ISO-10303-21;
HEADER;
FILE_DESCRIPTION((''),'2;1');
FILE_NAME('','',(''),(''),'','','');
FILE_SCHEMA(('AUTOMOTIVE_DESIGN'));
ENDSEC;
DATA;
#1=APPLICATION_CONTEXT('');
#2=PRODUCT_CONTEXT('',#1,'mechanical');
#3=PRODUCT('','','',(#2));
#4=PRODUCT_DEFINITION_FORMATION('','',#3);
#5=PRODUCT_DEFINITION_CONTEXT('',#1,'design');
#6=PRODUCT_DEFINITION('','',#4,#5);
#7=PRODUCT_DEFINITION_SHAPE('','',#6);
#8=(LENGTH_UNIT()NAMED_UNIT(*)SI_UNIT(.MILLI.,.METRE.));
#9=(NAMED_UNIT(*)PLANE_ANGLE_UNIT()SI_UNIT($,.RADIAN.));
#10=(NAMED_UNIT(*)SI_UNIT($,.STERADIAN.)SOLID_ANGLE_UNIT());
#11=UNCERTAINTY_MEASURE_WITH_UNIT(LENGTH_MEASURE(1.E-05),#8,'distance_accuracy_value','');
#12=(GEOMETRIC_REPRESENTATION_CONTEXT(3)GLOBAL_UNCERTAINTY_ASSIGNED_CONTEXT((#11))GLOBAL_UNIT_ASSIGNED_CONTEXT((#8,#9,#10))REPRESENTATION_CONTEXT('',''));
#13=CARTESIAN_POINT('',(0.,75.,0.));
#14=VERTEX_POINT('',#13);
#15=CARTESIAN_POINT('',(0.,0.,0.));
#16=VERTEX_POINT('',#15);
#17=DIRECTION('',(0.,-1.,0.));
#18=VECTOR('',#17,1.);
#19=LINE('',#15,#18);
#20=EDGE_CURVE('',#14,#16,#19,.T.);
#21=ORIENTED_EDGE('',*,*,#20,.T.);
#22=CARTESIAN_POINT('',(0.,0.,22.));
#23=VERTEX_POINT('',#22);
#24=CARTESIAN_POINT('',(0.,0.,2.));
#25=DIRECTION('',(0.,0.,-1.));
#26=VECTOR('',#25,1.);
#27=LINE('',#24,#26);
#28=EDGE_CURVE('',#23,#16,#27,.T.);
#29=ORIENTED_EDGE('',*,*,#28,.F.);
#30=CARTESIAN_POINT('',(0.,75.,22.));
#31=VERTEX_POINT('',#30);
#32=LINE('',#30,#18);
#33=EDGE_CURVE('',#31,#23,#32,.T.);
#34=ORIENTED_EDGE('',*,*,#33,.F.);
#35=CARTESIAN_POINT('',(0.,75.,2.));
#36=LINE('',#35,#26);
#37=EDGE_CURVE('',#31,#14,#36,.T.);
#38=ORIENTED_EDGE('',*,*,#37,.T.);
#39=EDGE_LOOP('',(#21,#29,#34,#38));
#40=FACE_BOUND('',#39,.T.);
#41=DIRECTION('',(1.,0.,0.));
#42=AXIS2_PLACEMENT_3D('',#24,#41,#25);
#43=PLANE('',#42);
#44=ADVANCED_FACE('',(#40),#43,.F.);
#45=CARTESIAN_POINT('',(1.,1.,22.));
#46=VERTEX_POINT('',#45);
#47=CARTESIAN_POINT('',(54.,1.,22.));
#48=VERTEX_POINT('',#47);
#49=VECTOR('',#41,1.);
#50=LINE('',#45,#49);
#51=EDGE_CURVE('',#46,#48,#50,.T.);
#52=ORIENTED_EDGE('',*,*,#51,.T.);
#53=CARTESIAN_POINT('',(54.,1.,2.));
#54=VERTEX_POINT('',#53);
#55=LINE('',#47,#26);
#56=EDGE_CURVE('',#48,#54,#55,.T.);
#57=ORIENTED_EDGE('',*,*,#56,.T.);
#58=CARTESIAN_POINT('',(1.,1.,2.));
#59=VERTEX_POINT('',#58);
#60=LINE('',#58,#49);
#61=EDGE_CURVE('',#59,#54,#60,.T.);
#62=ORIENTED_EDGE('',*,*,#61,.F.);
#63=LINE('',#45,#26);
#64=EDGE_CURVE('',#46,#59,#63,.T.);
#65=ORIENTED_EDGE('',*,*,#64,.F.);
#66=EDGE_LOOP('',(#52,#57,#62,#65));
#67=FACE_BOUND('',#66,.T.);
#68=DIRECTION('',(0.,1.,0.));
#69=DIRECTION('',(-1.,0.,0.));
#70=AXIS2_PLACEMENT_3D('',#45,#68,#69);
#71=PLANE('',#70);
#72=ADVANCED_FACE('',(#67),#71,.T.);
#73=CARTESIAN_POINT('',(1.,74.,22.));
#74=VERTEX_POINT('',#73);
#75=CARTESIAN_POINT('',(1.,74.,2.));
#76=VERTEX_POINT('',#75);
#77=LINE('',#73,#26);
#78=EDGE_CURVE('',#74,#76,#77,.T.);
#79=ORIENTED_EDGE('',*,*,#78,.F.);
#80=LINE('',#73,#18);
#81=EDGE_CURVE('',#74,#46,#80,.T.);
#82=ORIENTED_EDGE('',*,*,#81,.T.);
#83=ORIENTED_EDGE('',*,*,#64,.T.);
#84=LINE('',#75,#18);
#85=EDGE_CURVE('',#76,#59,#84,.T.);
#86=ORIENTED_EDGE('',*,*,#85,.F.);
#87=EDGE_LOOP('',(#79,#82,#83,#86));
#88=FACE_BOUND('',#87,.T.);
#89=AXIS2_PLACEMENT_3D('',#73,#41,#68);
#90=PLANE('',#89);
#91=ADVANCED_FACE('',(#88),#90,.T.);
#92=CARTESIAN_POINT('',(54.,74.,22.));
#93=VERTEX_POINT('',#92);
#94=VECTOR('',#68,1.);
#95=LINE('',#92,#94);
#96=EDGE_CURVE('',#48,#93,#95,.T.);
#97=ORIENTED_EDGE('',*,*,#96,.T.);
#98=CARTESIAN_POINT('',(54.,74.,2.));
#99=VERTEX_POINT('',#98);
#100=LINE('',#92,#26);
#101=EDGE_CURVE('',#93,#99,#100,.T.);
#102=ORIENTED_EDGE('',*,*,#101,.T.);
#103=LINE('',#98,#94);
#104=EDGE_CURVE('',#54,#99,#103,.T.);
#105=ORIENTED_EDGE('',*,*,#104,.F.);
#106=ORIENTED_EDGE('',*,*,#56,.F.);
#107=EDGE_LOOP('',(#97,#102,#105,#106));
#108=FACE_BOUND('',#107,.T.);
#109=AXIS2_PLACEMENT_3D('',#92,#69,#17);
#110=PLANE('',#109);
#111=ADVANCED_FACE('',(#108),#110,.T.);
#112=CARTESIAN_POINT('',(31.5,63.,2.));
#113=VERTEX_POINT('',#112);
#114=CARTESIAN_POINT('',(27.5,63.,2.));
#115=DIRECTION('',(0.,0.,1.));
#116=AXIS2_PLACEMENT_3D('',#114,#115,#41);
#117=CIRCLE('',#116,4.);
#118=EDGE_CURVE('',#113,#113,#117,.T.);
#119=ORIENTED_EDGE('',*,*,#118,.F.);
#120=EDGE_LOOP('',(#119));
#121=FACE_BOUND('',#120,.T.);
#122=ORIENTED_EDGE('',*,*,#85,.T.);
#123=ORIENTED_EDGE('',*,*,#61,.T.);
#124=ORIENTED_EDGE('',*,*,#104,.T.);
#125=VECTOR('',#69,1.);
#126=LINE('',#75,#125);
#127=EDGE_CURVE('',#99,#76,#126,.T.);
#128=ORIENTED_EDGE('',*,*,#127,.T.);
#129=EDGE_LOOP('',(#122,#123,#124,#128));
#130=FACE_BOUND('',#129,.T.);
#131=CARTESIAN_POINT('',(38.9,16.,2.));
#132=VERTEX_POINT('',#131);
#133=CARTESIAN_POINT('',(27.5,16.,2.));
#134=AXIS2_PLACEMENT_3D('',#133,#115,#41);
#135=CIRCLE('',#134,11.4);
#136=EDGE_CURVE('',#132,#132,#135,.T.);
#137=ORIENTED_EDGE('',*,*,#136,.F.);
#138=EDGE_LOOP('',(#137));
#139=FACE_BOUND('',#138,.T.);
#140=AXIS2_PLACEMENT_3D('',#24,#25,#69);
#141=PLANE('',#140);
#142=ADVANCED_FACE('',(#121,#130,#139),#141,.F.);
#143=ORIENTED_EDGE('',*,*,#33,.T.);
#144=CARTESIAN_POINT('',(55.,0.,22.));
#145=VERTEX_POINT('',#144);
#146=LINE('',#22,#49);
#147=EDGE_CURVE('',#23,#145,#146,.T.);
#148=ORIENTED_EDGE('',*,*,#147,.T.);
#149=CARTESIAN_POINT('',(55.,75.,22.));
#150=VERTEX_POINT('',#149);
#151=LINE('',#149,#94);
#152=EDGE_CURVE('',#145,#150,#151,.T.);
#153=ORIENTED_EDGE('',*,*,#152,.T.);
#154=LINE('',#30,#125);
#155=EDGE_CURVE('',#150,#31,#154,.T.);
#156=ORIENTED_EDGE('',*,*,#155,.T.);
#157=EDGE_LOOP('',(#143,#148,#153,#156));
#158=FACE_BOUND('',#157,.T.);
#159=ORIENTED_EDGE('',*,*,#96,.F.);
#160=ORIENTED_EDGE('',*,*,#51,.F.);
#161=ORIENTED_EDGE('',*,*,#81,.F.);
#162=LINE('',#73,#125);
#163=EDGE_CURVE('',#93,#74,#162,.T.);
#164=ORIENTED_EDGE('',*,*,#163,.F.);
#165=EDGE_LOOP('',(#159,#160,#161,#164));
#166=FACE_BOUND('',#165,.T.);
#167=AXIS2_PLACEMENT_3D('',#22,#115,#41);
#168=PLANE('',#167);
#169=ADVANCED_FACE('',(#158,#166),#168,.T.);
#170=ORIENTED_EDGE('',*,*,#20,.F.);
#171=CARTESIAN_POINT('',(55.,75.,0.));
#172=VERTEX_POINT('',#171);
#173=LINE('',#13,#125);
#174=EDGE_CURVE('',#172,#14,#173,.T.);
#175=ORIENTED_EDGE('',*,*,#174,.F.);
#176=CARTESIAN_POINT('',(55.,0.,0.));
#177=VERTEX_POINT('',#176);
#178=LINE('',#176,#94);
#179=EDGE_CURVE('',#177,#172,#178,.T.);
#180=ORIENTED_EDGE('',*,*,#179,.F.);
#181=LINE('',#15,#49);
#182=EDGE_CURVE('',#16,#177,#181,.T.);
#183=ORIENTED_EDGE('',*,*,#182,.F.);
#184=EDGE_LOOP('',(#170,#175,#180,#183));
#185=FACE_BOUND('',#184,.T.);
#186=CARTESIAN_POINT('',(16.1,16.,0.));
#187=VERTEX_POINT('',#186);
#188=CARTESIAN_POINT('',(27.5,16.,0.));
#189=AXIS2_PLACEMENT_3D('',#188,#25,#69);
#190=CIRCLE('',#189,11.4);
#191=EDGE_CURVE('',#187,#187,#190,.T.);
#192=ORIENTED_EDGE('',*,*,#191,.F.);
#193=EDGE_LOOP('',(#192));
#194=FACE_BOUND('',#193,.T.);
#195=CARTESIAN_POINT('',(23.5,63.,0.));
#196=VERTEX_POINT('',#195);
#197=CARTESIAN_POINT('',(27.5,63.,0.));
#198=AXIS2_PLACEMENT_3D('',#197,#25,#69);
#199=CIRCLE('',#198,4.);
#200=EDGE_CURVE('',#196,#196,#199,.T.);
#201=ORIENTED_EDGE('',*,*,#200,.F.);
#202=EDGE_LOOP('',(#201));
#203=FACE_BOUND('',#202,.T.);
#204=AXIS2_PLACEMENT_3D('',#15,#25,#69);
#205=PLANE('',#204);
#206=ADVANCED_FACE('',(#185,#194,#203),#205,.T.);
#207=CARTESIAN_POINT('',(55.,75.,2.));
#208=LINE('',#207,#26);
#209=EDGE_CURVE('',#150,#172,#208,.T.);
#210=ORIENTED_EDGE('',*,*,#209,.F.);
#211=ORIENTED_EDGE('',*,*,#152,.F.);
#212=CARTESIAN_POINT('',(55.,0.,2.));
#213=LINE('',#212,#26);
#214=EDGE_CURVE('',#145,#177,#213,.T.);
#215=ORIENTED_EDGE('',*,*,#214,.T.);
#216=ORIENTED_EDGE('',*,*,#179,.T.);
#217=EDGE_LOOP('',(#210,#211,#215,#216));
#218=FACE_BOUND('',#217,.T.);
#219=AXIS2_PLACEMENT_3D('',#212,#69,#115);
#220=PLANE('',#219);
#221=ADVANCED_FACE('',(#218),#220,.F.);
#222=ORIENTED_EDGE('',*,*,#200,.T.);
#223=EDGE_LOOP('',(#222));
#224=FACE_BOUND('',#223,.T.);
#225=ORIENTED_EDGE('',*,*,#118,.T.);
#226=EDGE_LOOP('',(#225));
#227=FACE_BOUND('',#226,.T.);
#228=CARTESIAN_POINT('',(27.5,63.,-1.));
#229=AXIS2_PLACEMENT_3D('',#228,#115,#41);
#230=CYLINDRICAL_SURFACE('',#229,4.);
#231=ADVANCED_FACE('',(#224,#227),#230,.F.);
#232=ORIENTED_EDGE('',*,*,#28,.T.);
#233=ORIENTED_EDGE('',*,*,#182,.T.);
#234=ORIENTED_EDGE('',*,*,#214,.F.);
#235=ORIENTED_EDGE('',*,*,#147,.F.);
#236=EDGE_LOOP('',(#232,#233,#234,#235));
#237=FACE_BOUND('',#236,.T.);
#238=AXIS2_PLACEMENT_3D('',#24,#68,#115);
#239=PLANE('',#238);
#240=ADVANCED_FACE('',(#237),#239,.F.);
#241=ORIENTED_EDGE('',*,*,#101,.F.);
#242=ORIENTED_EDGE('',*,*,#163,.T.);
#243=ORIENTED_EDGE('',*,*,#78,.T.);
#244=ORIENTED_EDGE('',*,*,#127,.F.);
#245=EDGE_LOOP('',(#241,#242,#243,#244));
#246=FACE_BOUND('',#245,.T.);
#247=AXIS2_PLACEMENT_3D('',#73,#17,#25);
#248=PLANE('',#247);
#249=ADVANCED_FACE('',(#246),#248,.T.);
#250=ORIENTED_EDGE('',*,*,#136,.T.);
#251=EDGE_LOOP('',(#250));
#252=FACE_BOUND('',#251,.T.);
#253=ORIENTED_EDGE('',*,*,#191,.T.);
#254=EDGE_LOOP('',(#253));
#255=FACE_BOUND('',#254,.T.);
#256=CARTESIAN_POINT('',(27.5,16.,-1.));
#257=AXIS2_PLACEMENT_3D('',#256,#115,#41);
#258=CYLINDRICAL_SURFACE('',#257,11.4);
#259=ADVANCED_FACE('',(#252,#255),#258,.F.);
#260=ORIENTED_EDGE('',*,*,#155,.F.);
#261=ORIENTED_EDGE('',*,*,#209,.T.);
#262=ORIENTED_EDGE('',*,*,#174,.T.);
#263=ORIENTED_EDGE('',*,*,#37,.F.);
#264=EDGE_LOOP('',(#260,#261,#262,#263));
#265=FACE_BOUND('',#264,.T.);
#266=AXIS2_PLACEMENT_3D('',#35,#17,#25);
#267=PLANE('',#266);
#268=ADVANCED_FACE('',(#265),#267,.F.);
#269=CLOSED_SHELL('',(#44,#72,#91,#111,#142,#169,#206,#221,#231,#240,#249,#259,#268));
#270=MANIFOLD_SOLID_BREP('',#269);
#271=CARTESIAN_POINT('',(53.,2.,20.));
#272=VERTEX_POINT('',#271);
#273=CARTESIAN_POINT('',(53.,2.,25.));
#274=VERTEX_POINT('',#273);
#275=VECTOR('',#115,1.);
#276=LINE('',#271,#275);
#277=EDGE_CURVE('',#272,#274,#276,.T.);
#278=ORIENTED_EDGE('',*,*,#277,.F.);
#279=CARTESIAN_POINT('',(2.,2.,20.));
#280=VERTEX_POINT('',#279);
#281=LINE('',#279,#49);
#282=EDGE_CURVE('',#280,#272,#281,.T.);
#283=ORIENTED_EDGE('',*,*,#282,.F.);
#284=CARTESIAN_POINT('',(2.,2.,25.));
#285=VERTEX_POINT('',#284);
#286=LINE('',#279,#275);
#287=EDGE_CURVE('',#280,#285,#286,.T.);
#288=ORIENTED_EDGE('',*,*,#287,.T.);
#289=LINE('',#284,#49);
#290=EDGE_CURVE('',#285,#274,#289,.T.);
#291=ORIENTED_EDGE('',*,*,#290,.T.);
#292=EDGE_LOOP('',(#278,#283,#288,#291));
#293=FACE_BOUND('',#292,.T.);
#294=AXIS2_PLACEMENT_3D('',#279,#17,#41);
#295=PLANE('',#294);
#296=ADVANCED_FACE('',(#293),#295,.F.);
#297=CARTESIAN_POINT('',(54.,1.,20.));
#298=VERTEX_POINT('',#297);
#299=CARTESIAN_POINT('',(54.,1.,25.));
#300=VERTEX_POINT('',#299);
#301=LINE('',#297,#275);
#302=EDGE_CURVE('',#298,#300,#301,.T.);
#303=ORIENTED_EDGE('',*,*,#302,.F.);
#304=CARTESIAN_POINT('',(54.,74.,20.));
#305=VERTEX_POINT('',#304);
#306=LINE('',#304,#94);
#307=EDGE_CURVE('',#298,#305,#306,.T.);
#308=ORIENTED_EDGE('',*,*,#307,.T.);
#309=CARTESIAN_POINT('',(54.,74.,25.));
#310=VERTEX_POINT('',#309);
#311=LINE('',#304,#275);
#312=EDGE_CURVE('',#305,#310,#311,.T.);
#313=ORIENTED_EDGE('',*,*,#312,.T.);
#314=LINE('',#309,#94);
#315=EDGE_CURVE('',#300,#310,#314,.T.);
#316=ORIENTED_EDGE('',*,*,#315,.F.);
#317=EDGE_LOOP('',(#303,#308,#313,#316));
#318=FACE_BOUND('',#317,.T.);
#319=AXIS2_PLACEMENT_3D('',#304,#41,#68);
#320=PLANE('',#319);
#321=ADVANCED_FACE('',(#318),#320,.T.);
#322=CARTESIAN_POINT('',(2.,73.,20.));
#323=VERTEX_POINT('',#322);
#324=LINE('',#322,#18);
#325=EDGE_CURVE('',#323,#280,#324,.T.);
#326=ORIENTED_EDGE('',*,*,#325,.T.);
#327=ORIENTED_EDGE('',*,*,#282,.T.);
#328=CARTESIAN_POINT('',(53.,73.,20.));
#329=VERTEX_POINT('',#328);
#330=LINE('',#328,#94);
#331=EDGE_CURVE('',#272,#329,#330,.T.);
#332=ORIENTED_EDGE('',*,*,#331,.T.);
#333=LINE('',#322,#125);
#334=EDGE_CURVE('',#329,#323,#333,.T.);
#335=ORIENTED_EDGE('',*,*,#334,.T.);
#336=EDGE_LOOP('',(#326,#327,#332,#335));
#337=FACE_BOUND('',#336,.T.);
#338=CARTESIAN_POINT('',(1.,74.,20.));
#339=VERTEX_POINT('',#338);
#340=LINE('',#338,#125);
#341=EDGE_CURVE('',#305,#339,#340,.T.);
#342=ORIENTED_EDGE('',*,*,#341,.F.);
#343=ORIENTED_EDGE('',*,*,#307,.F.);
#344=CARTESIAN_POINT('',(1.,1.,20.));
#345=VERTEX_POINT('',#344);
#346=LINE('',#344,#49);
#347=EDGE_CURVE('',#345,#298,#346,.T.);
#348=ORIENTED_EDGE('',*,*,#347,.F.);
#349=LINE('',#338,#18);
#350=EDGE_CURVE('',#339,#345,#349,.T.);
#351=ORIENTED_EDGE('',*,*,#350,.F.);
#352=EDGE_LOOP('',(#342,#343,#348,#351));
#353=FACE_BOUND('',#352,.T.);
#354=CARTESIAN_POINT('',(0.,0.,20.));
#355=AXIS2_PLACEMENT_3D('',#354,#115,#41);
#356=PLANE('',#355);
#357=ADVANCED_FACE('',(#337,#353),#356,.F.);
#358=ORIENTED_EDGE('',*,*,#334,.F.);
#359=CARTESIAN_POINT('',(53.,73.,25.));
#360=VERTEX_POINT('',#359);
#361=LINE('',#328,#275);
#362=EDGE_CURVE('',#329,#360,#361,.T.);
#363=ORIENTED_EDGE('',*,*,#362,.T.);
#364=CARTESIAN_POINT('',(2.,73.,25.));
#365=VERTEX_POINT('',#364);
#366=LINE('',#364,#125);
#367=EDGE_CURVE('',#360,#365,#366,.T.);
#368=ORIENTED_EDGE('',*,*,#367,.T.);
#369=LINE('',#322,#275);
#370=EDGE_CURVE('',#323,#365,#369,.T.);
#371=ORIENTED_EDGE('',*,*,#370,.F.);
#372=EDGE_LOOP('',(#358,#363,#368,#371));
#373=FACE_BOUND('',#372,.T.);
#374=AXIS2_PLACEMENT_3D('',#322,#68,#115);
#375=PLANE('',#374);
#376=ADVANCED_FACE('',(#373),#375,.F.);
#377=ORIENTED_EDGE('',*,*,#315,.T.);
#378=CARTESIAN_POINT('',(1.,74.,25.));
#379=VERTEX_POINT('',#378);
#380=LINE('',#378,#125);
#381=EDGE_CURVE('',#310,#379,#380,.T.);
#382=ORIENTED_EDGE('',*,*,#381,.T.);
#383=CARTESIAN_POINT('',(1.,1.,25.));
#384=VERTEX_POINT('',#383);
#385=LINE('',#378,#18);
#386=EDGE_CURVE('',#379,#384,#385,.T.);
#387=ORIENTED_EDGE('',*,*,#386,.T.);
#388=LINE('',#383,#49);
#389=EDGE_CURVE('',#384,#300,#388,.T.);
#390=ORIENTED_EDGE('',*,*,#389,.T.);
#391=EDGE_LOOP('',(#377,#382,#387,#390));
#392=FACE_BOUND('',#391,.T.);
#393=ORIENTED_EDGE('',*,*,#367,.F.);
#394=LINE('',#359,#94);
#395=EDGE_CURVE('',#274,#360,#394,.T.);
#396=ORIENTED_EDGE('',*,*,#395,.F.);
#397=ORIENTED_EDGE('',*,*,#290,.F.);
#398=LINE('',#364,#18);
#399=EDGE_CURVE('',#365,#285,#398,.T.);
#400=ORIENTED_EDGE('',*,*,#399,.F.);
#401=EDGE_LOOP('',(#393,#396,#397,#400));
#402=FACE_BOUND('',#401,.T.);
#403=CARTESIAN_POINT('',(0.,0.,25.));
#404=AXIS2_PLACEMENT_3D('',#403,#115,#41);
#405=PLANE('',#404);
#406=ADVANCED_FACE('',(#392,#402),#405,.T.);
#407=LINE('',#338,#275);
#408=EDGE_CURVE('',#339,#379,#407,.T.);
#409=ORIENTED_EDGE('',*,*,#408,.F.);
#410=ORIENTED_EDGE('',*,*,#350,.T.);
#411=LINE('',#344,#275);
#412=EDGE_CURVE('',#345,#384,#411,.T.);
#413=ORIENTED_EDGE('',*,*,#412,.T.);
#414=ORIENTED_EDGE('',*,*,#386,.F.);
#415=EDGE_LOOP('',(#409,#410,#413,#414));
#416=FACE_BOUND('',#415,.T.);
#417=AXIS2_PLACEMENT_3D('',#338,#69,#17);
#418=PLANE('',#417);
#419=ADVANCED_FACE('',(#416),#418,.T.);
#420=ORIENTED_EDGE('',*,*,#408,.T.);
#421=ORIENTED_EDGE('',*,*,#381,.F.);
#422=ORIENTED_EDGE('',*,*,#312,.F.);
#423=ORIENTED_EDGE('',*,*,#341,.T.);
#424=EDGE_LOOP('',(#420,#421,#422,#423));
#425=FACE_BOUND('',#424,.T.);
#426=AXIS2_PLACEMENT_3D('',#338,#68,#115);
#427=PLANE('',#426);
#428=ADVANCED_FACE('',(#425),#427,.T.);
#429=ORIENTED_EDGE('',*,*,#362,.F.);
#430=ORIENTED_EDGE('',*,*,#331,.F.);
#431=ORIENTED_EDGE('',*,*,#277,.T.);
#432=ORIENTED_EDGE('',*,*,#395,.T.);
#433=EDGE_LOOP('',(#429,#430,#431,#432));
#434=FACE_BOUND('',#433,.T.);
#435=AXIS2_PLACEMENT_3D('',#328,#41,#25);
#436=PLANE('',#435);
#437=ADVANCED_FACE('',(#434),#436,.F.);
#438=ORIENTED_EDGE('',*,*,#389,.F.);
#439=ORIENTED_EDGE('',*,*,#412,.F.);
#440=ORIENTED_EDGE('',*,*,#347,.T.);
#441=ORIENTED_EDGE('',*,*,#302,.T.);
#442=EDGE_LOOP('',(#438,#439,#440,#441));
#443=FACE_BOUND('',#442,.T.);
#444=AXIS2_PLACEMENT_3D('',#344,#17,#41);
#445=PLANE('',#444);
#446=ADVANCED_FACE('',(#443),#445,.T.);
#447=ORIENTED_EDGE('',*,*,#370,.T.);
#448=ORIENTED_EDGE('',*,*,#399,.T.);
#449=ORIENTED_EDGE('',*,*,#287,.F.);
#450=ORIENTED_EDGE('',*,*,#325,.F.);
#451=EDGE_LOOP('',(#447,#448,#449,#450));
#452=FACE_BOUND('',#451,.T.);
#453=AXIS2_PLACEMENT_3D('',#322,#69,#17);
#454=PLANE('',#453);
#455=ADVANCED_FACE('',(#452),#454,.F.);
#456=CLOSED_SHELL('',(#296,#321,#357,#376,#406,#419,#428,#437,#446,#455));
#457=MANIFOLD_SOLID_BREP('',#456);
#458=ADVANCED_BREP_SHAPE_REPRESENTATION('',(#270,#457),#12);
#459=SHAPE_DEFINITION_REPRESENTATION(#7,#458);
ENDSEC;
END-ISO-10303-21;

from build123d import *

# Parameters (mm, degrees)
SKETCH_1_W           = 55
SKETCH_1_H           = 75
EXTRUDE_1_DEPTH      = 2
SKETCH_2_W           = 55
SKETCH_2_H           = 75
SKETCH_2_W_2         = 53
SKETCH_2_H_2         = 73
EXTRUDE_2_DEPTH      = 20
SKETCH_3_W           = 53
SKETCH_3_H           = 73
SKETCH_3_W_2         = 51
SKETCH_3_H_2         = 71
EXTRUDE_3_DEPTH      = 3
EXTRUDE_3_DEPTH_BACK = 2
SKETCH_4_R           = 11.4
SKETCH_4_R_2         = 4
CUT_EXTRUDE_1_DEPTH  = 3


with BuildPart() as part:
    # Эскиз1 → Бобышка-Вытянуть1 (new body)
    with BuildSketch(Plane.XY):
        with Locations((27.5, 37.5)):
            Rectangle(SKETCH_1_W, SKETCH_1_H)
    extrude(amount=EXTRUDE_1_DEPTH)

    # Эскиз2 → Бобышка-Вытянуть2 (add)
    with BuildSketch(Plane.XY.offset(2)):
        with Locations((27.5, 37.5)):
            Rectangle(SKETCH_2_W, SKETCH_2_H)
        with Locations((27.5, 37.5)):
            Rectangle(SKETCH_2_W_2, SKETCH_2_H_2, mode=Mode.SUBTRACT)
    extrude(amount=EXTRUDE_2_DEPTH)

    # Эскиз4 → Вырез-Вытянуть1 (cut)
    with BuildSketch(Plane.XY.offset(2)):
        with Locations((27.5, 16)):
            Circle(SKETCH_4_R)
        with Locations((27.5, 63)):
            Circle(SKETCH_4_R_2)
    extrude(amount=-CUT_EXTRUDE_1_DEPTH, mode=Mode.SUBTRACT)


with BuildPart() as body_2:
    # Эскиз3 → Бобышка-Вытянуть3 (new body, two sides)
    with BuildSketch(Plane.XY.offset(22)) as extrude_3_sk:
        with Locations((27.5, 37.5)):
            Rectangle(SKETCH_3_W, SKETCH_3_H)
        with Locations((27.5, 37.5)):
            Rectangle(SKETCH_3_W_2, SKETCH_3_H_2, mode=Mode.SUBTRACT)
    extrude(amount=EXTRUDE_3_DEPTH)
    extrude(extrude_3_sk.sketch, amount=-EXTRUDE_3_DEPTH_BACK)


solid = Compound([part.part, body_2.part])
